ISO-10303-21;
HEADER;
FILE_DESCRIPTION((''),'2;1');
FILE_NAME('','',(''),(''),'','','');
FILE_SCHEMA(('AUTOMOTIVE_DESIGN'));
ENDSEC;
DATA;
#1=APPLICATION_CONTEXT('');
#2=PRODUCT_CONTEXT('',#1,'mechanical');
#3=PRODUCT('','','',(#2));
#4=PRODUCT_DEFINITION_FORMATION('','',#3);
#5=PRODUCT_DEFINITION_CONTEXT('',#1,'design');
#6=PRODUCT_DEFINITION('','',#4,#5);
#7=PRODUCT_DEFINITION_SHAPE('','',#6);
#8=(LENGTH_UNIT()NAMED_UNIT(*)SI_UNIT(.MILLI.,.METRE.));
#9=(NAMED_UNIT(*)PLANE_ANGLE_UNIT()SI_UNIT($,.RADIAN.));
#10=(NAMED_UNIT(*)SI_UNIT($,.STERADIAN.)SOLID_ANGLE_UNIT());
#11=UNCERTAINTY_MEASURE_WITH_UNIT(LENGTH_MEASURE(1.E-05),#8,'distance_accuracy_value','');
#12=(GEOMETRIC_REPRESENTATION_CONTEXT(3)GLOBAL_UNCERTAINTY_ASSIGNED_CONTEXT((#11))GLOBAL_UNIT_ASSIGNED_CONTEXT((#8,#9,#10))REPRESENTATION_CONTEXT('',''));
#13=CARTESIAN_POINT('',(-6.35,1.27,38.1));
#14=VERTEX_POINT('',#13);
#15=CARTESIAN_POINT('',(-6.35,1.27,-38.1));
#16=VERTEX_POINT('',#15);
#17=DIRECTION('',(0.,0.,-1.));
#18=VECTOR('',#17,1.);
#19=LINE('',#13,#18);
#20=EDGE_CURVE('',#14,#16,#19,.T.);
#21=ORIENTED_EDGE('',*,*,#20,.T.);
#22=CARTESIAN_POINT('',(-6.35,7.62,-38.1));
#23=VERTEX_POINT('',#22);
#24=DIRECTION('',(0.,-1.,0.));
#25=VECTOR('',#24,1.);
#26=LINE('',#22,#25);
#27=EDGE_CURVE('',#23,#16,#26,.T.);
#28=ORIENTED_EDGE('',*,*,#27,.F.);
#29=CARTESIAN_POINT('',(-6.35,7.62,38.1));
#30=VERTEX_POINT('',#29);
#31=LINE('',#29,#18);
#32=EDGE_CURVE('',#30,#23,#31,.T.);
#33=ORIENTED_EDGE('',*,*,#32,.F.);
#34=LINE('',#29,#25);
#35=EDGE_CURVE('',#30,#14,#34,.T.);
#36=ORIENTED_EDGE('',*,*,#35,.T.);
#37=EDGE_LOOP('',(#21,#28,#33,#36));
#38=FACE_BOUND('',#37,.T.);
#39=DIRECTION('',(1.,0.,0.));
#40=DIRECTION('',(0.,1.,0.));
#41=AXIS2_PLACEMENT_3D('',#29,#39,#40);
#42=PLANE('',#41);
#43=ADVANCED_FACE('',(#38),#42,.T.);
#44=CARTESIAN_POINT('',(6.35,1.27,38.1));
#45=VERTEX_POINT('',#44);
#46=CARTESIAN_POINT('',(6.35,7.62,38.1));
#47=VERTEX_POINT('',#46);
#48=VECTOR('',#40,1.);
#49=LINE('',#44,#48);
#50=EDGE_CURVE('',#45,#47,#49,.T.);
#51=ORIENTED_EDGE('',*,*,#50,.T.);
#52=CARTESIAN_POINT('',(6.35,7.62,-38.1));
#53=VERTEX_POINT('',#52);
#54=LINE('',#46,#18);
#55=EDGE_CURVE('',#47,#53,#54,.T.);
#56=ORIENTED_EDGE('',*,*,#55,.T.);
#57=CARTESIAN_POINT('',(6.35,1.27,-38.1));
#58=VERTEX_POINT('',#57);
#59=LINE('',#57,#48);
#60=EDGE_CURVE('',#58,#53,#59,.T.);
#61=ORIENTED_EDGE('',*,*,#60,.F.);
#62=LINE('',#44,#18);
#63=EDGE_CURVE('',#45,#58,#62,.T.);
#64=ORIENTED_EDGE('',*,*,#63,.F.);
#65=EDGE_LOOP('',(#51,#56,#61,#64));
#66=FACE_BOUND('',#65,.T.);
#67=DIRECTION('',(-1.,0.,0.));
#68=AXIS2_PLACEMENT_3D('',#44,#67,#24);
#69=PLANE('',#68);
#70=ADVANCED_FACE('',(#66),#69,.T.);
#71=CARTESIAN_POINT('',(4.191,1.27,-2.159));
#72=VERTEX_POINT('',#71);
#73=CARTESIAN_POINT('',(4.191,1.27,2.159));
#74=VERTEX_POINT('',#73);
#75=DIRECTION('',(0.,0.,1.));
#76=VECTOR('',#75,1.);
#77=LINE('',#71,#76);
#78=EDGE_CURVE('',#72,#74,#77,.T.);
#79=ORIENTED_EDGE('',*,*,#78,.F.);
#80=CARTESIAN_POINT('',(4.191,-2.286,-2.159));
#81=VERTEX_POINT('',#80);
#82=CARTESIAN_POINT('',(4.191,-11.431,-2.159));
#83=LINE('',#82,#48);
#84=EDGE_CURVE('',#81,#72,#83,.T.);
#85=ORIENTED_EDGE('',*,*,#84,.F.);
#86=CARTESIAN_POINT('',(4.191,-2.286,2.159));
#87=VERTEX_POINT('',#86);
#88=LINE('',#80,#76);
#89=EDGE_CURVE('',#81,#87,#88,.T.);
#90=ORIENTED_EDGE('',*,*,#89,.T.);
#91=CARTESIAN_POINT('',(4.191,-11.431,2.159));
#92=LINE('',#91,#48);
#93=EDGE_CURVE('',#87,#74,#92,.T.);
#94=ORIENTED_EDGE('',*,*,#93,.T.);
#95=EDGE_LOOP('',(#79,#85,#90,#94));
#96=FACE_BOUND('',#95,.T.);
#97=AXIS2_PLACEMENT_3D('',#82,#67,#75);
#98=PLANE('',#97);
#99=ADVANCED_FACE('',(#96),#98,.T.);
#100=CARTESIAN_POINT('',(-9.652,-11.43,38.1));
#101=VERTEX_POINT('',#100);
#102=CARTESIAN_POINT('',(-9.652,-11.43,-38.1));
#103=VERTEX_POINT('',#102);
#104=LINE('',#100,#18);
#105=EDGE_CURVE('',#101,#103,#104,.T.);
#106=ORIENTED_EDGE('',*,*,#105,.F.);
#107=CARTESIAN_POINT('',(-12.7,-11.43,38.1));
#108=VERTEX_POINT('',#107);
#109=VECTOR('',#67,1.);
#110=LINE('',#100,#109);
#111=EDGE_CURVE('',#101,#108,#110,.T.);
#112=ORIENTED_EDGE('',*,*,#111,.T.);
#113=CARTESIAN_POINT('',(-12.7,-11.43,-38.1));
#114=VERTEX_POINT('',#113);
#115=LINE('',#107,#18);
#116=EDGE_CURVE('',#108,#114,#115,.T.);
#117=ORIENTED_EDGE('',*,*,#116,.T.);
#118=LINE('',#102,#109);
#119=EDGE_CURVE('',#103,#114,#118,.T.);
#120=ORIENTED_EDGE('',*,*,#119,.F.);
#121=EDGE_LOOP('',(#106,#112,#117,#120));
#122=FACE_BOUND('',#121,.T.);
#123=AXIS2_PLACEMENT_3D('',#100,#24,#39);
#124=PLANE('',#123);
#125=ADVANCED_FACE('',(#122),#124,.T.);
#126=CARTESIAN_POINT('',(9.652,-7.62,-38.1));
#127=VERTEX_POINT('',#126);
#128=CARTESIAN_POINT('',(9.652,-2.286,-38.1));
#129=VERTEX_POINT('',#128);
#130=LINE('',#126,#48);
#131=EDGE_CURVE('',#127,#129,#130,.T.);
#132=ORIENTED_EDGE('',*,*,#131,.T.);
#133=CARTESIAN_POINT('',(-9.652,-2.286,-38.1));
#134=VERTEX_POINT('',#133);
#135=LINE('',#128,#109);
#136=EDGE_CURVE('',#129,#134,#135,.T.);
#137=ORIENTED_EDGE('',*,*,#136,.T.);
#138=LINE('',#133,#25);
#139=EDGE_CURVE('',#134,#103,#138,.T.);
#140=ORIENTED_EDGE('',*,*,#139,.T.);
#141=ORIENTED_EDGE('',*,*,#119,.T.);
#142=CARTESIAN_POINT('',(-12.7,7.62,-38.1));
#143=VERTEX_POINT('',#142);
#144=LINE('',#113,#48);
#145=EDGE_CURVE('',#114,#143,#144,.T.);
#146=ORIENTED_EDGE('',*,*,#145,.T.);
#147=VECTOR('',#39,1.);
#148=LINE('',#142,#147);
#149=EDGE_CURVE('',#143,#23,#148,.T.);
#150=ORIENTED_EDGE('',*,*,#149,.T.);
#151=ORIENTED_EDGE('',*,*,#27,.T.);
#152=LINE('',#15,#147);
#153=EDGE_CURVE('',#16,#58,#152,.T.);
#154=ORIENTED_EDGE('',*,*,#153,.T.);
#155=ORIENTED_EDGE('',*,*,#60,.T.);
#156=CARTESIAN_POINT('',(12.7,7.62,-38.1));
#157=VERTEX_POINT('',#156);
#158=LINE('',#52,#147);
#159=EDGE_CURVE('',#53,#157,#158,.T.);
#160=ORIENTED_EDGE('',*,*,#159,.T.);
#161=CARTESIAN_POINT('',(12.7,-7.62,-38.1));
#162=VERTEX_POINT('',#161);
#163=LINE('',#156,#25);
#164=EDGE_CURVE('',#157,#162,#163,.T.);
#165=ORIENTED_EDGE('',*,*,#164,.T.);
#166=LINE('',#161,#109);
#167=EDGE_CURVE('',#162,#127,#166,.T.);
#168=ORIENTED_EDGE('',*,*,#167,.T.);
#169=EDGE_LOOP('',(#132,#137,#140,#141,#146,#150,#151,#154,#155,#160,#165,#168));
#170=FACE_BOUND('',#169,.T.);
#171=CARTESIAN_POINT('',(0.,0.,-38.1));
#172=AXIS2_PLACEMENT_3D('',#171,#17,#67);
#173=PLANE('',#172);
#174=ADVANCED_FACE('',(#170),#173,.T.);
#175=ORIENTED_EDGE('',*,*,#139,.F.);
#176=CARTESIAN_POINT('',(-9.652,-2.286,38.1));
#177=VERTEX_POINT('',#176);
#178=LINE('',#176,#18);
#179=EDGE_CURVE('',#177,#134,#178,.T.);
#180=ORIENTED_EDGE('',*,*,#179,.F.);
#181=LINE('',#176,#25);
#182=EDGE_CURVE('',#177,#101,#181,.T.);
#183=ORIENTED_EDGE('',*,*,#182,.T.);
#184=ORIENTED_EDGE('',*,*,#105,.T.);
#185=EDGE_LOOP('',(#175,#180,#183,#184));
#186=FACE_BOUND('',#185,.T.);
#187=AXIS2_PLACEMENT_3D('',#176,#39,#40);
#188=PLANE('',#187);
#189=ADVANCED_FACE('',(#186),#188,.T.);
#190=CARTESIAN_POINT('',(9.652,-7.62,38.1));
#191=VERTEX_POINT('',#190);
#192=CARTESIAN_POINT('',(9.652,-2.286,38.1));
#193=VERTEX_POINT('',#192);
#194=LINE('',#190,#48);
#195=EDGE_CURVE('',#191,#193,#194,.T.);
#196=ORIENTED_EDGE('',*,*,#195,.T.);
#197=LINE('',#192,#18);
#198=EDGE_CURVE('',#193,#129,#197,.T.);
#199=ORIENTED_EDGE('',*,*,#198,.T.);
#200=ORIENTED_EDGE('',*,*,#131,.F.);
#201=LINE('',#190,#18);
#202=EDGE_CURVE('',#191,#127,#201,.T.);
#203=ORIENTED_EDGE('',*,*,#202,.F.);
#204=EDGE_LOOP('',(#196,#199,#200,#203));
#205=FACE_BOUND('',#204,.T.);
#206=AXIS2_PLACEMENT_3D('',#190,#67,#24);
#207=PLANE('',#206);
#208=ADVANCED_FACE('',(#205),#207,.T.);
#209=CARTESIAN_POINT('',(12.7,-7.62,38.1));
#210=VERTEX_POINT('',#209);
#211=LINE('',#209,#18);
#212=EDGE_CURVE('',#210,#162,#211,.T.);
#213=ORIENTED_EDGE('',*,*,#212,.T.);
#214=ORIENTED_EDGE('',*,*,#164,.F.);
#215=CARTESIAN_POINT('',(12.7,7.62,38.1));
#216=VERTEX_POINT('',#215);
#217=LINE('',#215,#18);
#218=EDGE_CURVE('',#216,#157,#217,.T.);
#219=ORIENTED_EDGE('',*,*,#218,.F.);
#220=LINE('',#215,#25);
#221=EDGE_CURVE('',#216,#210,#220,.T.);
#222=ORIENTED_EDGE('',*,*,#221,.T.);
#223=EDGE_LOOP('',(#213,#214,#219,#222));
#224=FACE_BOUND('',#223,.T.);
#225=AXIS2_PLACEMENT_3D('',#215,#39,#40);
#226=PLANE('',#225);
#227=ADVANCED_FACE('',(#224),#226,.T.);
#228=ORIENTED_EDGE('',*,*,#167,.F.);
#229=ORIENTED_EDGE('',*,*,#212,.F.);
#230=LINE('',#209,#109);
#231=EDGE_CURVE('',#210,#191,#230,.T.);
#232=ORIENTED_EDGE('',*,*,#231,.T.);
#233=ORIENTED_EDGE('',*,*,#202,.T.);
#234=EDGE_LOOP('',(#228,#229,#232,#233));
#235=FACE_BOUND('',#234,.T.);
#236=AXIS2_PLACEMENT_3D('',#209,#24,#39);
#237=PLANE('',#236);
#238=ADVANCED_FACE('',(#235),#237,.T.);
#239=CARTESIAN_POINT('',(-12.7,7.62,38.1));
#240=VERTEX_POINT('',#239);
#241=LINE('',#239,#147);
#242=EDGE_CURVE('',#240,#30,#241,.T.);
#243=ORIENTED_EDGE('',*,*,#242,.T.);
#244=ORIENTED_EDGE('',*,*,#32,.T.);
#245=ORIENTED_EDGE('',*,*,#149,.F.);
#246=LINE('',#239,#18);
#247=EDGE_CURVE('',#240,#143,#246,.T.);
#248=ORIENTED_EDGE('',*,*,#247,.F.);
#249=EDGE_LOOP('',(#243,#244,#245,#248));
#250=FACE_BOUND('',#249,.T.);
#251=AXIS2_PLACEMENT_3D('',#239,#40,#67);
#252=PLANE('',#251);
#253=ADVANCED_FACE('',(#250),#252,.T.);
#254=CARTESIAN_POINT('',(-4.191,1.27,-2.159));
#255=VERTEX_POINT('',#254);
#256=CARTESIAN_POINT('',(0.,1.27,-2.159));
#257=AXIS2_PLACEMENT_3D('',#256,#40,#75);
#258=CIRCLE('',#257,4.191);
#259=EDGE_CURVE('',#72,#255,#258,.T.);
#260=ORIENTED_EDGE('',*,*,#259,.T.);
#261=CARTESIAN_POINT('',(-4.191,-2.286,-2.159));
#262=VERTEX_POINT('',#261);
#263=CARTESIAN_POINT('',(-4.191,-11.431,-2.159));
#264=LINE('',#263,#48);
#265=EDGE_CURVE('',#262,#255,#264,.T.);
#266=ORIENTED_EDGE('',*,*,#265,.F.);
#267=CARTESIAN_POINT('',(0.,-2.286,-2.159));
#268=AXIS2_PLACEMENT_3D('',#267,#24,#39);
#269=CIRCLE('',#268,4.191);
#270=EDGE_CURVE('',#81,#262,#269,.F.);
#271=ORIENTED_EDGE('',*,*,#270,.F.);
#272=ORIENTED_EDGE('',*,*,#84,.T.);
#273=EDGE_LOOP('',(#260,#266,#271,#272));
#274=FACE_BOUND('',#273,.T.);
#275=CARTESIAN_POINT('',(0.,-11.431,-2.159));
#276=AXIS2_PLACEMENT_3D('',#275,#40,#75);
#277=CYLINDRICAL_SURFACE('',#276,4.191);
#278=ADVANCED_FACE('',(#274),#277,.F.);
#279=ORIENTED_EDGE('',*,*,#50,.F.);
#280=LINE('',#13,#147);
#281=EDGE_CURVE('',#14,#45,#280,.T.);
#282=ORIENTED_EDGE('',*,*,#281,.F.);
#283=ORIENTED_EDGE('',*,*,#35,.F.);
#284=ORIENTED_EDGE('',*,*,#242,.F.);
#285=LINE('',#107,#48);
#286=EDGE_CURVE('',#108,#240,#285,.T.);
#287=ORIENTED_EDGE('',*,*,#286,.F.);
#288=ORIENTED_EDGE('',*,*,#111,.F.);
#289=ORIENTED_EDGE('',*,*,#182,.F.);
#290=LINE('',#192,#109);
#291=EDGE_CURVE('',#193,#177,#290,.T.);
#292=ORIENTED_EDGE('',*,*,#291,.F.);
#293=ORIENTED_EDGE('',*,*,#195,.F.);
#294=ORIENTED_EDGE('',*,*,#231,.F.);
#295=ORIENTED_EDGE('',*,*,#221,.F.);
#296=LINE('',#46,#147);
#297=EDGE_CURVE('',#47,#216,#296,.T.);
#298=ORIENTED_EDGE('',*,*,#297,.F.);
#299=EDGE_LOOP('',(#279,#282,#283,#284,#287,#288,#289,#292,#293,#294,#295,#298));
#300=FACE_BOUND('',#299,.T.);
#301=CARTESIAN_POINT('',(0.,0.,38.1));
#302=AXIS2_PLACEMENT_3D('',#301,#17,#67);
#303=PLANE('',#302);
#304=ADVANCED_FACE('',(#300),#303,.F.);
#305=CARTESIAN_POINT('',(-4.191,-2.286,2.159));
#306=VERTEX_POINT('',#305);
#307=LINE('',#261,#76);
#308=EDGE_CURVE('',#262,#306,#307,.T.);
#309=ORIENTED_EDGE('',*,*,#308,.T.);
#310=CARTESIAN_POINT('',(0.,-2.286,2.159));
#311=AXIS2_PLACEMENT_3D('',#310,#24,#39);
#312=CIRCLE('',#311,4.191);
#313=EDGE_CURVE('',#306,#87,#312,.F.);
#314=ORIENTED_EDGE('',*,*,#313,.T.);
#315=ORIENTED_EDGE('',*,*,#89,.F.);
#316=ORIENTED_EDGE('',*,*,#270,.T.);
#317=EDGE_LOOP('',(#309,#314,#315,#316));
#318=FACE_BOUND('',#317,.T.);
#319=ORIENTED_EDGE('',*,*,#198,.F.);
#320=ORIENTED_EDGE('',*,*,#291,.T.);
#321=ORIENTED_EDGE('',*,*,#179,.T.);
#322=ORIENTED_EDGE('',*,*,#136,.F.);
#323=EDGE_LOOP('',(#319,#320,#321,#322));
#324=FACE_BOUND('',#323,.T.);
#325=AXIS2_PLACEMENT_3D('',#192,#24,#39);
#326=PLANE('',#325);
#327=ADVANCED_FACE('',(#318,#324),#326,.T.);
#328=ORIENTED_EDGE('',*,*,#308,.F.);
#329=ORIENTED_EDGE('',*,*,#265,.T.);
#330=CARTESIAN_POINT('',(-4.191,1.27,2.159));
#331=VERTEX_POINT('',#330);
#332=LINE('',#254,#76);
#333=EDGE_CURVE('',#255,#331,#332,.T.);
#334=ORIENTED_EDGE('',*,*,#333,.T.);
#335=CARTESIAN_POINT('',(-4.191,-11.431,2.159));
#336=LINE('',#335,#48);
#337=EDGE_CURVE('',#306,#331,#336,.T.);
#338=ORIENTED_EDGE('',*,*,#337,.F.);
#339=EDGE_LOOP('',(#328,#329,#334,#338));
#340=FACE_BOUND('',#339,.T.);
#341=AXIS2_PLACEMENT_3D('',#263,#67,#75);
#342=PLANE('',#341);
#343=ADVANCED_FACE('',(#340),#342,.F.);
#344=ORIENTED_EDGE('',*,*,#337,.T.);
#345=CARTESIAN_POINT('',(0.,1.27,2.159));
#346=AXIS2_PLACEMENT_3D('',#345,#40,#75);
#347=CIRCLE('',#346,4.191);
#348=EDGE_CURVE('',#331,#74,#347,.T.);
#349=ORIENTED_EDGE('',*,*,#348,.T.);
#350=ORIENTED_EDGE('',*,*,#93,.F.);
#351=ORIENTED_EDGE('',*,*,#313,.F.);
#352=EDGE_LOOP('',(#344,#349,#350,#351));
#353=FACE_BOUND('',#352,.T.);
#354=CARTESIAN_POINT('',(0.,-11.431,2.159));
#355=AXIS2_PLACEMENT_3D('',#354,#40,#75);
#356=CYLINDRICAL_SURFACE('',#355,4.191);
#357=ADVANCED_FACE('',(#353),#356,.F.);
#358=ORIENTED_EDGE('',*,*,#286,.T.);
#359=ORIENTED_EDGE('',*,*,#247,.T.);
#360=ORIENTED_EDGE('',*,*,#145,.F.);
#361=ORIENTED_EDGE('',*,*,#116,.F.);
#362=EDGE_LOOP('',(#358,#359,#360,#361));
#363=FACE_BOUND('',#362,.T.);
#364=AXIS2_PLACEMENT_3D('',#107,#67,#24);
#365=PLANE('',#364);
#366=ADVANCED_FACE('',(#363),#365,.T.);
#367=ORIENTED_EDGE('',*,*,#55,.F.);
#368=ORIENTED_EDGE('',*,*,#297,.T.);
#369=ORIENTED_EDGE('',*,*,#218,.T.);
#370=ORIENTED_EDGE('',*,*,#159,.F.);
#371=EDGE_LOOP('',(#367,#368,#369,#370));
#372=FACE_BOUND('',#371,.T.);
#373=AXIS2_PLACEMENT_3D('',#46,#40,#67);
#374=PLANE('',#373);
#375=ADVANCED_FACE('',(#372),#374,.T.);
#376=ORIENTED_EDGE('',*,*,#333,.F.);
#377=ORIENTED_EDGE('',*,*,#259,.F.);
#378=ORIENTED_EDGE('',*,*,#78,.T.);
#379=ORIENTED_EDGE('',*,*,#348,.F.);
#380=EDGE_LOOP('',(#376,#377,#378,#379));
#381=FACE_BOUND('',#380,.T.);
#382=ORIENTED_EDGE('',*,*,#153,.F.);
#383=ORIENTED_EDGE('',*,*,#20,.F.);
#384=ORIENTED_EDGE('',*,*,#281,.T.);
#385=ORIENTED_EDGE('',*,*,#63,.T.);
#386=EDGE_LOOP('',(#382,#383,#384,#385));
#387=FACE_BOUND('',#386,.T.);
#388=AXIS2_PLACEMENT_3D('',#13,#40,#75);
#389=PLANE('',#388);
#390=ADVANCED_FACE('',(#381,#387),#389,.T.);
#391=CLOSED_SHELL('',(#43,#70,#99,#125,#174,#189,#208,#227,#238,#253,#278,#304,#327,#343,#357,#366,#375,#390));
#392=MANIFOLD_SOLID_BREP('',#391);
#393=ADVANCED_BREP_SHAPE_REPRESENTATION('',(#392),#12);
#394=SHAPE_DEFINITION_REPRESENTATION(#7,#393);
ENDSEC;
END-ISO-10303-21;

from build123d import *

# Parameters (mm, degrees)
BOSS_EXTRUDE1_DEPTH = 38.1
CUT_EXTRUDE1_REACH  = 44.121


with BuildPart() as part:
    # Sketch1 → Boss-Extrude1 (new, symmetric)
    with BuildSketch(Plane.XY):
        Polygon((-12.7, 7.62), (-6.35, 7.62), (-6.35, 1.27), (6.35, 1.27), (6.35, 7.62), (12.7, 7.62), (12.7, -7.62), (9.652, -7.62), (9.652, -2.286), (-9.652, -2.286), (-9.652, -11.43), (-12.7, -11.43), align=None)
    extrude(amount=BOSS_EXTRUDE1_DEPTH, both=True)

    # Sketch2 → Cut-Extrude1 (cut, up to next)
    with BuildSketch(Plane(origin=(0, 1.27, 0), x_dir=(1, 0, 0), z_dir=(0, 1, 0)), mode=Mode.PRIVATE) as cut_extrude1_sk1:
        with BuildLine():
            Line((4.191, 2.159), (4.191, -2.159))
            ThreePointArc((4.191, -2.159), (0, -6.35), (-4.191, -2.159))
            Line((-4.191, -2.159), (-4.191, 2.159))
            ThreePointArc((-4.191, 2.159), (0, 6.35), (4.191, 2.159))
        make_face()
    cut_extrude1_tool1 = extrude(cut_extrude1_sk1.sketch, amount=-CUT_EXTRUDE1_REACH, mode=Mode.PRIVATE) & part.part
    add(cut_extrude1_tool1.solids().sort_by_distance((0, 1.27, 0))[0], mode=Mode.SUBTRACT)


solid = part.part
